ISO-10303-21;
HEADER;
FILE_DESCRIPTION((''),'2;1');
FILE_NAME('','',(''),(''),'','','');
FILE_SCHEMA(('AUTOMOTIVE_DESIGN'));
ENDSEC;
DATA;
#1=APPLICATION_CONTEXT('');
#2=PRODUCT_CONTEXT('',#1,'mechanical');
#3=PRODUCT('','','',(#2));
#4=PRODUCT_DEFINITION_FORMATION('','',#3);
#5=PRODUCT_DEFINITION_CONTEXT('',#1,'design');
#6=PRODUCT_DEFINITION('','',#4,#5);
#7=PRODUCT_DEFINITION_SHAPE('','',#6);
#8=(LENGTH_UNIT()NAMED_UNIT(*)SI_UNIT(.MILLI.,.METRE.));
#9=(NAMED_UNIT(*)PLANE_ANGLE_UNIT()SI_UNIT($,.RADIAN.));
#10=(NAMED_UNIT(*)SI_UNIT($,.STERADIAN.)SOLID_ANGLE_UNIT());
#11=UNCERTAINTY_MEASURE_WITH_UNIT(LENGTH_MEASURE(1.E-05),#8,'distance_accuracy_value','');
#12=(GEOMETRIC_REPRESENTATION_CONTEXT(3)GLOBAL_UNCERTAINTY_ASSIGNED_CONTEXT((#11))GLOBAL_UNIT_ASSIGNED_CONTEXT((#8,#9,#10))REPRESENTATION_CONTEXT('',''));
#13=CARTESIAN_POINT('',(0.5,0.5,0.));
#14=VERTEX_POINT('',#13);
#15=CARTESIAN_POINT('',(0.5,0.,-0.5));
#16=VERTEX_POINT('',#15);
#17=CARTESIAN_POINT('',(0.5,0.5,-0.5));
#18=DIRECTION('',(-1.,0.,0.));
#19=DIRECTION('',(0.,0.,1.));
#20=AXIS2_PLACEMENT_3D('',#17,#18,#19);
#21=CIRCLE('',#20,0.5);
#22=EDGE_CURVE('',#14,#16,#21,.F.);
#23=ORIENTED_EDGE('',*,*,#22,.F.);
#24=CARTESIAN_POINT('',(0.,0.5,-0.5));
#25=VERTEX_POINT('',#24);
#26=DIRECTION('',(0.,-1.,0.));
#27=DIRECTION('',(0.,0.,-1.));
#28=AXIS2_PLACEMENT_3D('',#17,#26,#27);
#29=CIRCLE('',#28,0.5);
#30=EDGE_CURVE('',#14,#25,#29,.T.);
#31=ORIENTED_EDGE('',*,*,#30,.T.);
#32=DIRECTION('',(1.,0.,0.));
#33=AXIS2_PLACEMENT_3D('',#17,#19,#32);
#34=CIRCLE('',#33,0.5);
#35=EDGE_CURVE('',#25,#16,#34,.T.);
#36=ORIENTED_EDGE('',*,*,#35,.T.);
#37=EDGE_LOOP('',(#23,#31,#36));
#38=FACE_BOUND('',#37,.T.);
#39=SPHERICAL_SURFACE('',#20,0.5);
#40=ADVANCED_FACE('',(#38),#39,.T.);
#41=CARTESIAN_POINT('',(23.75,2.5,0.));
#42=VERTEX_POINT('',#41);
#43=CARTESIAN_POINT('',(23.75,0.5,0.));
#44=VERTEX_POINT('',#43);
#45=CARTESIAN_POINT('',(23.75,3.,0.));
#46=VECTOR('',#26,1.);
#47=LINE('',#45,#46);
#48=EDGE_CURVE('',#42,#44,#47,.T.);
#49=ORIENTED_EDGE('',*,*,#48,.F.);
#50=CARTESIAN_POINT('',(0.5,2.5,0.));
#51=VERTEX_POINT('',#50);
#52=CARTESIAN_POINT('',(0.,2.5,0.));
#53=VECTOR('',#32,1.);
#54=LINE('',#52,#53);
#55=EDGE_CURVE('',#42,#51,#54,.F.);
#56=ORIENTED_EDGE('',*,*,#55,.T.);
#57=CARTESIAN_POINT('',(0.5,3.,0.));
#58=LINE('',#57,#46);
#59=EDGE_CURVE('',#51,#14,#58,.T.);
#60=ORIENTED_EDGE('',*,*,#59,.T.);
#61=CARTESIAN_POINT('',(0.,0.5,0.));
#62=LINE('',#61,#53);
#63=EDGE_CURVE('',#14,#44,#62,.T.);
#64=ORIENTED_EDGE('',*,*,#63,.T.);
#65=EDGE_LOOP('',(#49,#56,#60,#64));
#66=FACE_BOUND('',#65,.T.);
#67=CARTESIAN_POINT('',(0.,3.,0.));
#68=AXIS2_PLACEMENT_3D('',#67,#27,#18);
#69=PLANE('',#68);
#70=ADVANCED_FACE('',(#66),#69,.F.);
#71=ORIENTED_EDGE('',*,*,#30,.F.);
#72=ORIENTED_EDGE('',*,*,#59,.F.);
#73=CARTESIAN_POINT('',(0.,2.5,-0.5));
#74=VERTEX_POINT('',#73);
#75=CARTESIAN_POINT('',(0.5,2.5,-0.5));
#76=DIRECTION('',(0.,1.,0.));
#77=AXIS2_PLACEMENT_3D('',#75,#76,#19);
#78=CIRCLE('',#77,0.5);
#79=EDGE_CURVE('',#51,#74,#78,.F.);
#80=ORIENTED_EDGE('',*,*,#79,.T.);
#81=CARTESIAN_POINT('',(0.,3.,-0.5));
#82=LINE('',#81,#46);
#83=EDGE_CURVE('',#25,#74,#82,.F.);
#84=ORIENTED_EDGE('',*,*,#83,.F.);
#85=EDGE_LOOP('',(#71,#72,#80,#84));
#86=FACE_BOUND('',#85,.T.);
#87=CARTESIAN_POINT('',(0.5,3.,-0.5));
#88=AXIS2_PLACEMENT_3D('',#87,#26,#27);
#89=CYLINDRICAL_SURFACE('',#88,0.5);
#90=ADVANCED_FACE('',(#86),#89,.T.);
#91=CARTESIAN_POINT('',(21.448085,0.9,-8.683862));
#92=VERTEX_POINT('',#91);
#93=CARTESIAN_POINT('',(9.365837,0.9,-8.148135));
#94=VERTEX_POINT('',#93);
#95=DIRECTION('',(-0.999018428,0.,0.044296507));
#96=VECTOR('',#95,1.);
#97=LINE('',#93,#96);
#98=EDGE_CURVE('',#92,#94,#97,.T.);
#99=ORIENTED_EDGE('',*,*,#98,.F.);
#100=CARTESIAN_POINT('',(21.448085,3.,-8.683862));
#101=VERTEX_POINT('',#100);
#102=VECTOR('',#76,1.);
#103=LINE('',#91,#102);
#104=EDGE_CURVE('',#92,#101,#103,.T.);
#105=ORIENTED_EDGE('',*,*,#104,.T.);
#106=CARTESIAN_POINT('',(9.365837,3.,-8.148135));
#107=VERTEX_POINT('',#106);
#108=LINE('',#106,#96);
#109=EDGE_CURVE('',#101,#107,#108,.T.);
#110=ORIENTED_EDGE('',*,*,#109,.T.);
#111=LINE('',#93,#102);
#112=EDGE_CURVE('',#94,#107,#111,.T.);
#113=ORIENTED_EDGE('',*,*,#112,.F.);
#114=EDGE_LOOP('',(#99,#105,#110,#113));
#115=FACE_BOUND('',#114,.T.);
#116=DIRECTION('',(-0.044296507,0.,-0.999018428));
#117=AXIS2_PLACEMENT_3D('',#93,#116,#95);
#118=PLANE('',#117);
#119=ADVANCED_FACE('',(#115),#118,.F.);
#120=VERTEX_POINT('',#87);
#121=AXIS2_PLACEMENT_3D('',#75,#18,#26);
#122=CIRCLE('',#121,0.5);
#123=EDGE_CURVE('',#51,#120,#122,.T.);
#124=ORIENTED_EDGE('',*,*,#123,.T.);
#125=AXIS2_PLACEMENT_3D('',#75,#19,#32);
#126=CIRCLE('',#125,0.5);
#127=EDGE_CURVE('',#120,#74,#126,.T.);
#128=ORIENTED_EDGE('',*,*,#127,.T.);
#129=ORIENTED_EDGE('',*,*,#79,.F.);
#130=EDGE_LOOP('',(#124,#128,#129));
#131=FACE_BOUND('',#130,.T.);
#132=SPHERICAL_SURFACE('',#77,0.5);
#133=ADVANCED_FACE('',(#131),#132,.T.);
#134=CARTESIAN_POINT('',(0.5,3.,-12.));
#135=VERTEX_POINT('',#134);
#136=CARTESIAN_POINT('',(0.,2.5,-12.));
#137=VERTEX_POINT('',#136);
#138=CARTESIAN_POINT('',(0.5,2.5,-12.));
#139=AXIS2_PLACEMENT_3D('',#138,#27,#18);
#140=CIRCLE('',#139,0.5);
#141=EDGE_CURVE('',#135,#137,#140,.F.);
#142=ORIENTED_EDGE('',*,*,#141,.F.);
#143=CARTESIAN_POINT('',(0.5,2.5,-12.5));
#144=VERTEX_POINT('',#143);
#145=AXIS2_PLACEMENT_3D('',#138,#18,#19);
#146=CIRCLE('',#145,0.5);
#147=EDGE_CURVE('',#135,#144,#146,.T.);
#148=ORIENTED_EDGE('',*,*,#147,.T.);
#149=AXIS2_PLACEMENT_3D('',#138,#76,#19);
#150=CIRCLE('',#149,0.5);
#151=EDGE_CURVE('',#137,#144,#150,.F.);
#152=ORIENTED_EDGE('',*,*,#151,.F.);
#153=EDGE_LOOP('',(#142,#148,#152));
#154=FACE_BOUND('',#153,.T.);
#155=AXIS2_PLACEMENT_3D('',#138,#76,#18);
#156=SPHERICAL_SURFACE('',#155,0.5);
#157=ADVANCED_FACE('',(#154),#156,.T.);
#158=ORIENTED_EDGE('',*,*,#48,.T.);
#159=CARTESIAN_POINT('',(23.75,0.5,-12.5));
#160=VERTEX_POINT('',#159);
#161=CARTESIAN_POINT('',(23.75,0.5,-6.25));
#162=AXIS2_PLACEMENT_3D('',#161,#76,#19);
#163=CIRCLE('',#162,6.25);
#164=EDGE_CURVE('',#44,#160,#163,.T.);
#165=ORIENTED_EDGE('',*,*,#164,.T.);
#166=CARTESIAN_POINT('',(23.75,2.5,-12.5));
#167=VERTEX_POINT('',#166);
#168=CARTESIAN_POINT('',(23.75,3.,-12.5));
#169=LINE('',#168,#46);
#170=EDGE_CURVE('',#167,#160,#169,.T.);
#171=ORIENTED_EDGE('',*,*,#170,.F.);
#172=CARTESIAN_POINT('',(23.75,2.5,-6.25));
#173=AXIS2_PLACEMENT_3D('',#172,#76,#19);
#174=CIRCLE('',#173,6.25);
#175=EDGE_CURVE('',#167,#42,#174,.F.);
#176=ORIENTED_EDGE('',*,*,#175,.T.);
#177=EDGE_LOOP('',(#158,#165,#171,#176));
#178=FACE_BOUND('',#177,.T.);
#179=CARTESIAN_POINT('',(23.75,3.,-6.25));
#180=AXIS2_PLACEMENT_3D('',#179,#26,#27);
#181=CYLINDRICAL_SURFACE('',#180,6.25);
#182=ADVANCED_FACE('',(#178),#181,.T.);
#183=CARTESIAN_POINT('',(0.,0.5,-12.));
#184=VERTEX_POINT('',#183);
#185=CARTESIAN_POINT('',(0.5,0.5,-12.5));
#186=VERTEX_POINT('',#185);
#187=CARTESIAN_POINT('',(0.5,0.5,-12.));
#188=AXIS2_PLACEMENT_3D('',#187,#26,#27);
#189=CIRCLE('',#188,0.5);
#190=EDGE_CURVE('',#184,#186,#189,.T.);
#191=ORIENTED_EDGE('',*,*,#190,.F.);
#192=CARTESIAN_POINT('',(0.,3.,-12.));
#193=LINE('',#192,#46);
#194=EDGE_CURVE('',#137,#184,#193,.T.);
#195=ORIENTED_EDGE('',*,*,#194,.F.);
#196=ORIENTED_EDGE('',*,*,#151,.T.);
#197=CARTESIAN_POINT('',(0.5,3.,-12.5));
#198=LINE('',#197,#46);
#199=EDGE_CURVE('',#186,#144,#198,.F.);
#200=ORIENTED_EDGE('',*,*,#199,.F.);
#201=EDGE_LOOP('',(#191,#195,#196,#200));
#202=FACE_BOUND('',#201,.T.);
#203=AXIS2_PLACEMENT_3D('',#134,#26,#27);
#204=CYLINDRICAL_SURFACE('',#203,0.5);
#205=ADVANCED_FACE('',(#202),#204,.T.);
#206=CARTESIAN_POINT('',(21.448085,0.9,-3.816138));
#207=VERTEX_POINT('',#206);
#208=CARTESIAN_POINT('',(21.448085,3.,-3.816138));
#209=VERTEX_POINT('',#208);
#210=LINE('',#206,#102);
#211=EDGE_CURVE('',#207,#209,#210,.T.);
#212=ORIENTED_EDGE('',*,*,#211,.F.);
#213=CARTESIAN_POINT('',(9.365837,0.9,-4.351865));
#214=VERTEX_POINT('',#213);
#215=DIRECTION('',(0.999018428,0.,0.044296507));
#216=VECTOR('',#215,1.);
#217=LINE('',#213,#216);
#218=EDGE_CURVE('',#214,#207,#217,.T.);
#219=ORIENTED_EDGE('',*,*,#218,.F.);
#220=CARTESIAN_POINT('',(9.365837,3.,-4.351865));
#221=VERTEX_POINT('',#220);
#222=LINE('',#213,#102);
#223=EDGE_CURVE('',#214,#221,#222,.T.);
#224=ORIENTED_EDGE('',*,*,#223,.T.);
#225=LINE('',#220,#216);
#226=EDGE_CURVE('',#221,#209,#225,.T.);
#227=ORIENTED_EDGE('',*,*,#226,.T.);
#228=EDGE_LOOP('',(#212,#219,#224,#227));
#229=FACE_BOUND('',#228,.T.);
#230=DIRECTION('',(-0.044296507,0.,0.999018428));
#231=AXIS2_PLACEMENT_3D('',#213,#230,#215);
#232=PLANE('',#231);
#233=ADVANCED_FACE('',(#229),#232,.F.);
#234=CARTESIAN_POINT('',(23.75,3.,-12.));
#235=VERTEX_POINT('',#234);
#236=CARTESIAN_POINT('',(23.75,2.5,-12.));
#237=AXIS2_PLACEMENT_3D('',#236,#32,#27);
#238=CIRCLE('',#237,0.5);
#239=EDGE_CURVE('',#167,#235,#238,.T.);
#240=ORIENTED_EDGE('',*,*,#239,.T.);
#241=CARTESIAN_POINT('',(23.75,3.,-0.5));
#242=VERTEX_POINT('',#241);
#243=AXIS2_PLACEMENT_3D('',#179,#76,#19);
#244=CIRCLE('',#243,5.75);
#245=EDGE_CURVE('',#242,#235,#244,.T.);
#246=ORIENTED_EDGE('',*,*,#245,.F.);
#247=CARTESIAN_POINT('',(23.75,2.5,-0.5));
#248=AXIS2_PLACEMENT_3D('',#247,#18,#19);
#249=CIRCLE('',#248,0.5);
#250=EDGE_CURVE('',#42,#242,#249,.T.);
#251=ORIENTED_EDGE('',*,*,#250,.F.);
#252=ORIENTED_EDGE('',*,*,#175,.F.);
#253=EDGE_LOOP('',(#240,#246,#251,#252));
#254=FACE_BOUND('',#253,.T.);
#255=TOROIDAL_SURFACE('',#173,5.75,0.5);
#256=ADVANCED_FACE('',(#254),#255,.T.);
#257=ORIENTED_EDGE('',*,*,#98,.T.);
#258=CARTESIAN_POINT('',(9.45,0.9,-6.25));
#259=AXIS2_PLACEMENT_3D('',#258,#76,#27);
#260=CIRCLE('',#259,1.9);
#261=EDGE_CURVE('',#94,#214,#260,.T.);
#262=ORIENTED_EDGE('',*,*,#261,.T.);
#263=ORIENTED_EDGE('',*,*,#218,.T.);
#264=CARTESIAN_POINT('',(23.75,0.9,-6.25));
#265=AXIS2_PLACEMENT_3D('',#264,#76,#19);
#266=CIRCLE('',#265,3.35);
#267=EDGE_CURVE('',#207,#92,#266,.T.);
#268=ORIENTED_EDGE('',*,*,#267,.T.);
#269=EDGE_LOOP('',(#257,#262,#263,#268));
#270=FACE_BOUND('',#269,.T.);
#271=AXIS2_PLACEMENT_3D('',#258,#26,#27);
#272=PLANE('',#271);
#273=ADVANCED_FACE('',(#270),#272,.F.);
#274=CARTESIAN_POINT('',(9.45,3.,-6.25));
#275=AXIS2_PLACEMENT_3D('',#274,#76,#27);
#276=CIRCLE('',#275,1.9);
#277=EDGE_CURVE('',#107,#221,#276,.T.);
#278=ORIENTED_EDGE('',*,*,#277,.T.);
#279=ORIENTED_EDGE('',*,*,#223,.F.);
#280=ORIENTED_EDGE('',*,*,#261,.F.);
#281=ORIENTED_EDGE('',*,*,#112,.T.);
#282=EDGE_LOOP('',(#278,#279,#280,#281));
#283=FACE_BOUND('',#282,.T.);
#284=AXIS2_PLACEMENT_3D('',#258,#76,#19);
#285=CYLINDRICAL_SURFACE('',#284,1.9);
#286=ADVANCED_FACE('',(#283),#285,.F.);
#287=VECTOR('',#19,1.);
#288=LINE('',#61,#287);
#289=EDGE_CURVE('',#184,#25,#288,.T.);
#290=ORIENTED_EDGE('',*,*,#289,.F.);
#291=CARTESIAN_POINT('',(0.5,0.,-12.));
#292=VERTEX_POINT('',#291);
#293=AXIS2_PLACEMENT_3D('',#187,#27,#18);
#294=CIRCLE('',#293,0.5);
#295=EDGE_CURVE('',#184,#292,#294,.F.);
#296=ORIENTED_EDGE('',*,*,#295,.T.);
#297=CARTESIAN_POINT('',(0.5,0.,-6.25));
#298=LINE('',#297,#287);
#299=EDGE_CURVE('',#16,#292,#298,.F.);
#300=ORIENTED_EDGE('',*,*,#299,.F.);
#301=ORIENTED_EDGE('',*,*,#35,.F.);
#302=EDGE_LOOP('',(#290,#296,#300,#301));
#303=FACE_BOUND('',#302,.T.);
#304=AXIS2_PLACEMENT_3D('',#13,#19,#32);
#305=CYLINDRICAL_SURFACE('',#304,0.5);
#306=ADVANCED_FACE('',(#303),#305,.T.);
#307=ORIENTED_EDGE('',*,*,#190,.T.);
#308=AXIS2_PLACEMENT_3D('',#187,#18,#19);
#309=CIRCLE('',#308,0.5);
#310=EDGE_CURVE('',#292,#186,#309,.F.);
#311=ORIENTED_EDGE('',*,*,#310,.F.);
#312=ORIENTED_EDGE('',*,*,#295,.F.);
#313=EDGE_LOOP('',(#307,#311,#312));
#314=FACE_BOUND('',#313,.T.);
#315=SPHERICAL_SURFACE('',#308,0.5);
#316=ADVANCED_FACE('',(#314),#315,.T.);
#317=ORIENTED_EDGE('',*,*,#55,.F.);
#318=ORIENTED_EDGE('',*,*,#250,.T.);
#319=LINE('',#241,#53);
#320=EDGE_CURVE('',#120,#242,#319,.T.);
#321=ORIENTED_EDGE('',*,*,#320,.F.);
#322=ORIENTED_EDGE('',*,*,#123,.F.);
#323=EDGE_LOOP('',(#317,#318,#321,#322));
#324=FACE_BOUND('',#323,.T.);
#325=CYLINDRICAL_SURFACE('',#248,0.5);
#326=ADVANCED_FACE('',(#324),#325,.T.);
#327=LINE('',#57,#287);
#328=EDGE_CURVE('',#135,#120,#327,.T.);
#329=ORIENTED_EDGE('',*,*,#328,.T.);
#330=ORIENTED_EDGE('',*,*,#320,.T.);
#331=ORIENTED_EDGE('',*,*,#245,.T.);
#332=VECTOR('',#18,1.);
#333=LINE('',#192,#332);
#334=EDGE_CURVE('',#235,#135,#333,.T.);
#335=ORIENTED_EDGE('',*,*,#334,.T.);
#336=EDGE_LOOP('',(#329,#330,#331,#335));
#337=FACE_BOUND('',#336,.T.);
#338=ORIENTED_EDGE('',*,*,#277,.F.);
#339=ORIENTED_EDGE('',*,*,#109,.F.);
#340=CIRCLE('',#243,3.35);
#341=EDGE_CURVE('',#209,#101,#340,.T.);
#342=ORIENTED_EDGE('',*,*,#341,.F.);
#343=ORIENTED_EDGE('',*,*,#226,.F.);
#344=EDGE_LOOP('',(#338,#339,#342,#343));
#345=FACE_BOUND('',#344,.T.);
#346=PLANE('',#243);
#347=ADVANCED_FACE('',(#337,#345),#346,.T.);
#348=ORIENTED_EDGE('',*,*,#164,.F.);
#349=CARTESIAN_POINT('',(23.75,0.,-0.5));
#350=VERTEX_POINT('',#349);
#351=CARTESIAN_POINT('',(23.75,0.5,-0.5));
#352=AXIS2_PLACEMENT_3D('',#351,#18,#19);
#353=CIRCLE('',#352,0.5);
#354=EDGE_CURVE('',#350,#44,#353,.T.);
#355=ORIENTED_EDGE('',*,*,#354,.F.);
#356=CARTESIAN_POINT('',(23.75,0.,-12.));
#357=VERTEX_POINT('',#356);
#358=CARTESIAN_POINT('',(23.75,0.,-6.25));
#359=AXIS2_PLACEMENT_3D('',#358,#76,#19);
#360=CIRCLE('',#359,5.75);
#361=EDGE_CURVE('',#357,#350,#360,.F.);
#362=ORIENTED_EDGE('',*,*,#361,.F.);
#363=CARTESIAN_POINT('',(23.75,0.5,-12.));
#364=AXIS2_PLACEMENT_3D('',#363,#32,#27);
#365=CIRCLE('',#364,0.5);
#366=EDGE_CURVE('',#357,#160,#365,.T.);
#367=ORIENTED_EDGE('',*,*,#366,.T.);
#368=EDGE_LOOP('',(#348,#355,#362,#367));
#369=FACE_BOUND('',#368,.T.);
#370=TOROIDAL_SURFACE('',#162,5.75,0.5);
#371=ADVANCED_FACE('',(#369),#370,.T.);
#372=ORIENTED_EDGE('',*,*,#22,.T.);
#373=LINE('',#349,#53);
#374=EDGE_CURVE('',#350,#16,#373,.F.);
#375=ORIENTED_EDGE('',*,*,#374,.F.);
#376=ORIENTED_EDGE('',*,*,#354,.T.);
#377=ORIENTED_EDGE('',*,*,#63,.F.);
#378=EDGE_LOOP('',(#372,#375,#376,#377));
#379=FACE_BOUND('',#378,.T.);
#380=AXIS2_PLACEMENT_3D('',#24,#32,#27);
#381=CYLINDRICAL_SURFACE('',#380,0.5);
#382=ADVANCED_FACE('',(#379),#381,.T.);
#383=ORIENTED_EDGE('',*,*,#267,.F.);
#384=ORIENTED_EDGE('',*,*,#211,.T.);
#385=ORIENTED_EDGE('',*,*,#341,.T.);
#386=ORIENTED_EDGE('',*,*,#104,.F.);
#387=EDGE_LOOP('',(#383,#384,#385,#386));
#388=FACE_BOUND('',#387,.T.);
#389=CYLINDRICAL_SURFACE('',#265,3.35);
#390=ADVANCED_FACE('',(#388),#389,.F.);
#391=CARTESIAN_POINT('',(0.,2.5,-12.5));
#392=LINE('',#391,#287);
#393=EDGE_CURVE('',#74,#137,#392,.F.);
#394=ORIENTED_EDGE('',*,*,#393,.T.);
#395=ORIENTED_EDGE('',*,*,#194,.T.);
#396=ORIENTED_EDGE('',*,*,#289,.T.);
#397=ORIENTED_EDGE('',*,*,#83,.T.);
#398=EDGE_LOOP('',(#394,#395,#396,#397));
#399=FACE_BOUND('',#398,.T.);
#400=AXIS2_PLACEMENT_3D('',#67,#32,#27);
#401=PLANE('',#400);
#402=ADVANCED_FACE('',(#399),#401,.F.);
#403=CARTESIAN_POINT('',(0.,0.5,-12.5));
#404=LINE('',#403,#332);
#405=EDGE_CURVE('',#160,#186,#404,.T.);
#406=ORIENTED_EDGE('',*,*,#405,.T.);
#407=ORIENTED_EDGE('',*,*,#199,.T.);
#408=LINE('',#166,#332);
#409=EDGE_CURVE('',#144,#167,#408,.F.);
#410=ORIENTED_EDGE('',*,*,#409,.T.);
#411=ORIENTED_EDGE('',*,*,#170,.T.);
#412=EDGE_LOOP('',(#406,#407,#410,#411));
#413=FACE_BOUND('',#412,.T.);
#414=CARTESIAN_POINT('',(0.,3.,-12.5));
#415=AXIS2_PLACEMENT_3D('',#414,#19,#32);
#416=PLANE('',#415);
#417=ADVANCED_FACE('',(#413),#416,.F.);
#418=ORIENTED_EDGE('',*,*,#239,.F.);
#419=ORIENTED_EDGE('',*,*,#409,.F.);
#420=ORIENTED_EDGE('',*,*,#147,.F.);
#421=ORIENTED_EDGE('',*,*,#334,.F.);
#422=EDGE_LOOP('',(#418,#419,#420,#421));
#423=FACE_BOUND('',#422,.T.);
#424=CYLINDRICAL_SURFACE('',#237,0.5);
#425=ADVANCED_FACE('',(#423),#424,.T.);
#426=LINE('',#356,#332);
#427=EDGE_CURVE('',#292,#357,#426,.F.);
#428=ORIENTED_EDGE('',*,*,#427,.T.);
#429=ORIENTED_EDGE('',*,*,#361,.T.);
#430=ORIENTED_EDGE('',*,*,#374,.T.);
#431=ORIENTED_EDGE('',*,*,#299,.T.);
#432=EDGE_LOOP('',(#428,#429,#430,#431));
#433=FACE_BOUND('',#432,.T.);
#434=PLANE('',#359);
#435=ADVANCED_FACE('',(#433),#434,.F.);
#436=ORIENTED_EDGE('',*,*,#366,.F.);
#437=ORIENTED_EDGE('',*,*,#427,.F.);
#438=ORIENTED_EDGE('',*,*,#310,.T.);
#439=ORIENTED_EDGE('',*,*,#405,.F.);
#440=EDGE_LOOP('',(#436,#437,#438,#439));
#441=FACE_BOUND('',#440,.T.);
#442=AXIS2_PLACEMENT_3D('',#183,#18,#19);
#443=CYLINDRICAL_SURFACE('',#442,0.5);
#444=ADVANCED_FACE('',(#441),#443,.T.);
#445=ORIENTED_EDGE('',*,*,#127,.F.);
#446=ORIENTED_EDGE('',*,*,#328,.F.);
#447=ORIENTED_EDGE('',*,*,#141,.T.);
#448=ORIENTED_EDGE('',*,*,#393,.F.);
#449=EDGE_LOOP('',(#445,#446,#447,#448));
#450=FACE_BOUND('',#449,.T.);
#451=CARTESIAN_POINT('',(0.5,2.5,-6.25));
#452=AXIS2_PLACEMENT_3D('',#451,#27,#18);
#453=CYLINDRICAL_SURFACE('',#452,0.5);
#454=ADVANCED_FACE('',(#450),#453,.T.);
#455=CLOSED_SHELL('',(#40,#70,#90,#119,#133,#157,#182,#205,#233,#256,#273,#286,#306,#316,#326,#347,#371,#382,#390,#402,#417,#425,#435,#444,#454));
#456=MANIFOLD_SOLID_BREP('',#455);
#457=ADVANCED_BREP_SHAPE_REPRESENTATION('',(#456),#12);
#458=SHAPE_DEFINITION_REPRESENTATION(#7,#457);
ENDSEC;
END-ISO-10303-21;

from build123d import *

# Parameters (mm, degrees)
EXTRUDE_1_DEPTH     = 3
FILLET_1_R          = 0.5
CUT_EXTRUDE_1_DEPTH = 2.1


with BuildPart() as part:
    # 草图1 → 凸台-拉伸1 (new body)
    with BuildSketch(Plane(origin=(0, 0, 0), x_dir=(1, 0, 0), z_dir=(0, 1, 0))):
        with BuildLine():
            Line((0, 0), (23.75, 0))
            ThreePointArc((23.75, 0), (30, 6.25), (23.75, 12.5))
            Line((23.75, 12.5), (0, 12.5))
            Line((0, 12.5), (0, 0))
        make_face()
    extrude(amount=EXTRUDE_1_DEPTH)

    # 圆角1
    fillet_1_edges = [part.edges().sort_by_distance(p)[0] for p in [
        (30, 3, -6.25),
        (11.875, 3, -12.5),
        (0, 3, -6.25),
        (11.875, 0, -12.5),
        (30, 0, -6.25),
        (11.875, 0, 0),
        (0, 0, -6.25),
        (0, 1.5, -12.5),
        (0, 1.5, 0),
        (11.875, 3, 0),
    ]]
    fillet(fillet_1_edges, radius=FILLET_1_R)

    # 草图2 → 切除-拉伸1 (cut)
    with BuildSketch(Plane(origin=(0, 3, 0), x_dir=(1, 0, 0), z_dir=(0, 1, 0))):
        with BuildLine():
            Line((9.365836637, 8.148135013), (21.448084588, 8.683862246))
            ThreePointArc((21.448084588, 8.683862246), (27.1, 6.25), (21.448084588, 3.816137754))
            Line((21.448084588, 3.816137754), (9.365836637, 4.351864987))
            ThreePointArc((9.365836637, 4.351864987), (7.55, 6.25), (9.365836637, 8.148135013))
        make_face()
    extrude(amount=-CUT_EXTRUDE_1_DEPTH, mode=Mode.SUBTRACT)


solid = part.part
